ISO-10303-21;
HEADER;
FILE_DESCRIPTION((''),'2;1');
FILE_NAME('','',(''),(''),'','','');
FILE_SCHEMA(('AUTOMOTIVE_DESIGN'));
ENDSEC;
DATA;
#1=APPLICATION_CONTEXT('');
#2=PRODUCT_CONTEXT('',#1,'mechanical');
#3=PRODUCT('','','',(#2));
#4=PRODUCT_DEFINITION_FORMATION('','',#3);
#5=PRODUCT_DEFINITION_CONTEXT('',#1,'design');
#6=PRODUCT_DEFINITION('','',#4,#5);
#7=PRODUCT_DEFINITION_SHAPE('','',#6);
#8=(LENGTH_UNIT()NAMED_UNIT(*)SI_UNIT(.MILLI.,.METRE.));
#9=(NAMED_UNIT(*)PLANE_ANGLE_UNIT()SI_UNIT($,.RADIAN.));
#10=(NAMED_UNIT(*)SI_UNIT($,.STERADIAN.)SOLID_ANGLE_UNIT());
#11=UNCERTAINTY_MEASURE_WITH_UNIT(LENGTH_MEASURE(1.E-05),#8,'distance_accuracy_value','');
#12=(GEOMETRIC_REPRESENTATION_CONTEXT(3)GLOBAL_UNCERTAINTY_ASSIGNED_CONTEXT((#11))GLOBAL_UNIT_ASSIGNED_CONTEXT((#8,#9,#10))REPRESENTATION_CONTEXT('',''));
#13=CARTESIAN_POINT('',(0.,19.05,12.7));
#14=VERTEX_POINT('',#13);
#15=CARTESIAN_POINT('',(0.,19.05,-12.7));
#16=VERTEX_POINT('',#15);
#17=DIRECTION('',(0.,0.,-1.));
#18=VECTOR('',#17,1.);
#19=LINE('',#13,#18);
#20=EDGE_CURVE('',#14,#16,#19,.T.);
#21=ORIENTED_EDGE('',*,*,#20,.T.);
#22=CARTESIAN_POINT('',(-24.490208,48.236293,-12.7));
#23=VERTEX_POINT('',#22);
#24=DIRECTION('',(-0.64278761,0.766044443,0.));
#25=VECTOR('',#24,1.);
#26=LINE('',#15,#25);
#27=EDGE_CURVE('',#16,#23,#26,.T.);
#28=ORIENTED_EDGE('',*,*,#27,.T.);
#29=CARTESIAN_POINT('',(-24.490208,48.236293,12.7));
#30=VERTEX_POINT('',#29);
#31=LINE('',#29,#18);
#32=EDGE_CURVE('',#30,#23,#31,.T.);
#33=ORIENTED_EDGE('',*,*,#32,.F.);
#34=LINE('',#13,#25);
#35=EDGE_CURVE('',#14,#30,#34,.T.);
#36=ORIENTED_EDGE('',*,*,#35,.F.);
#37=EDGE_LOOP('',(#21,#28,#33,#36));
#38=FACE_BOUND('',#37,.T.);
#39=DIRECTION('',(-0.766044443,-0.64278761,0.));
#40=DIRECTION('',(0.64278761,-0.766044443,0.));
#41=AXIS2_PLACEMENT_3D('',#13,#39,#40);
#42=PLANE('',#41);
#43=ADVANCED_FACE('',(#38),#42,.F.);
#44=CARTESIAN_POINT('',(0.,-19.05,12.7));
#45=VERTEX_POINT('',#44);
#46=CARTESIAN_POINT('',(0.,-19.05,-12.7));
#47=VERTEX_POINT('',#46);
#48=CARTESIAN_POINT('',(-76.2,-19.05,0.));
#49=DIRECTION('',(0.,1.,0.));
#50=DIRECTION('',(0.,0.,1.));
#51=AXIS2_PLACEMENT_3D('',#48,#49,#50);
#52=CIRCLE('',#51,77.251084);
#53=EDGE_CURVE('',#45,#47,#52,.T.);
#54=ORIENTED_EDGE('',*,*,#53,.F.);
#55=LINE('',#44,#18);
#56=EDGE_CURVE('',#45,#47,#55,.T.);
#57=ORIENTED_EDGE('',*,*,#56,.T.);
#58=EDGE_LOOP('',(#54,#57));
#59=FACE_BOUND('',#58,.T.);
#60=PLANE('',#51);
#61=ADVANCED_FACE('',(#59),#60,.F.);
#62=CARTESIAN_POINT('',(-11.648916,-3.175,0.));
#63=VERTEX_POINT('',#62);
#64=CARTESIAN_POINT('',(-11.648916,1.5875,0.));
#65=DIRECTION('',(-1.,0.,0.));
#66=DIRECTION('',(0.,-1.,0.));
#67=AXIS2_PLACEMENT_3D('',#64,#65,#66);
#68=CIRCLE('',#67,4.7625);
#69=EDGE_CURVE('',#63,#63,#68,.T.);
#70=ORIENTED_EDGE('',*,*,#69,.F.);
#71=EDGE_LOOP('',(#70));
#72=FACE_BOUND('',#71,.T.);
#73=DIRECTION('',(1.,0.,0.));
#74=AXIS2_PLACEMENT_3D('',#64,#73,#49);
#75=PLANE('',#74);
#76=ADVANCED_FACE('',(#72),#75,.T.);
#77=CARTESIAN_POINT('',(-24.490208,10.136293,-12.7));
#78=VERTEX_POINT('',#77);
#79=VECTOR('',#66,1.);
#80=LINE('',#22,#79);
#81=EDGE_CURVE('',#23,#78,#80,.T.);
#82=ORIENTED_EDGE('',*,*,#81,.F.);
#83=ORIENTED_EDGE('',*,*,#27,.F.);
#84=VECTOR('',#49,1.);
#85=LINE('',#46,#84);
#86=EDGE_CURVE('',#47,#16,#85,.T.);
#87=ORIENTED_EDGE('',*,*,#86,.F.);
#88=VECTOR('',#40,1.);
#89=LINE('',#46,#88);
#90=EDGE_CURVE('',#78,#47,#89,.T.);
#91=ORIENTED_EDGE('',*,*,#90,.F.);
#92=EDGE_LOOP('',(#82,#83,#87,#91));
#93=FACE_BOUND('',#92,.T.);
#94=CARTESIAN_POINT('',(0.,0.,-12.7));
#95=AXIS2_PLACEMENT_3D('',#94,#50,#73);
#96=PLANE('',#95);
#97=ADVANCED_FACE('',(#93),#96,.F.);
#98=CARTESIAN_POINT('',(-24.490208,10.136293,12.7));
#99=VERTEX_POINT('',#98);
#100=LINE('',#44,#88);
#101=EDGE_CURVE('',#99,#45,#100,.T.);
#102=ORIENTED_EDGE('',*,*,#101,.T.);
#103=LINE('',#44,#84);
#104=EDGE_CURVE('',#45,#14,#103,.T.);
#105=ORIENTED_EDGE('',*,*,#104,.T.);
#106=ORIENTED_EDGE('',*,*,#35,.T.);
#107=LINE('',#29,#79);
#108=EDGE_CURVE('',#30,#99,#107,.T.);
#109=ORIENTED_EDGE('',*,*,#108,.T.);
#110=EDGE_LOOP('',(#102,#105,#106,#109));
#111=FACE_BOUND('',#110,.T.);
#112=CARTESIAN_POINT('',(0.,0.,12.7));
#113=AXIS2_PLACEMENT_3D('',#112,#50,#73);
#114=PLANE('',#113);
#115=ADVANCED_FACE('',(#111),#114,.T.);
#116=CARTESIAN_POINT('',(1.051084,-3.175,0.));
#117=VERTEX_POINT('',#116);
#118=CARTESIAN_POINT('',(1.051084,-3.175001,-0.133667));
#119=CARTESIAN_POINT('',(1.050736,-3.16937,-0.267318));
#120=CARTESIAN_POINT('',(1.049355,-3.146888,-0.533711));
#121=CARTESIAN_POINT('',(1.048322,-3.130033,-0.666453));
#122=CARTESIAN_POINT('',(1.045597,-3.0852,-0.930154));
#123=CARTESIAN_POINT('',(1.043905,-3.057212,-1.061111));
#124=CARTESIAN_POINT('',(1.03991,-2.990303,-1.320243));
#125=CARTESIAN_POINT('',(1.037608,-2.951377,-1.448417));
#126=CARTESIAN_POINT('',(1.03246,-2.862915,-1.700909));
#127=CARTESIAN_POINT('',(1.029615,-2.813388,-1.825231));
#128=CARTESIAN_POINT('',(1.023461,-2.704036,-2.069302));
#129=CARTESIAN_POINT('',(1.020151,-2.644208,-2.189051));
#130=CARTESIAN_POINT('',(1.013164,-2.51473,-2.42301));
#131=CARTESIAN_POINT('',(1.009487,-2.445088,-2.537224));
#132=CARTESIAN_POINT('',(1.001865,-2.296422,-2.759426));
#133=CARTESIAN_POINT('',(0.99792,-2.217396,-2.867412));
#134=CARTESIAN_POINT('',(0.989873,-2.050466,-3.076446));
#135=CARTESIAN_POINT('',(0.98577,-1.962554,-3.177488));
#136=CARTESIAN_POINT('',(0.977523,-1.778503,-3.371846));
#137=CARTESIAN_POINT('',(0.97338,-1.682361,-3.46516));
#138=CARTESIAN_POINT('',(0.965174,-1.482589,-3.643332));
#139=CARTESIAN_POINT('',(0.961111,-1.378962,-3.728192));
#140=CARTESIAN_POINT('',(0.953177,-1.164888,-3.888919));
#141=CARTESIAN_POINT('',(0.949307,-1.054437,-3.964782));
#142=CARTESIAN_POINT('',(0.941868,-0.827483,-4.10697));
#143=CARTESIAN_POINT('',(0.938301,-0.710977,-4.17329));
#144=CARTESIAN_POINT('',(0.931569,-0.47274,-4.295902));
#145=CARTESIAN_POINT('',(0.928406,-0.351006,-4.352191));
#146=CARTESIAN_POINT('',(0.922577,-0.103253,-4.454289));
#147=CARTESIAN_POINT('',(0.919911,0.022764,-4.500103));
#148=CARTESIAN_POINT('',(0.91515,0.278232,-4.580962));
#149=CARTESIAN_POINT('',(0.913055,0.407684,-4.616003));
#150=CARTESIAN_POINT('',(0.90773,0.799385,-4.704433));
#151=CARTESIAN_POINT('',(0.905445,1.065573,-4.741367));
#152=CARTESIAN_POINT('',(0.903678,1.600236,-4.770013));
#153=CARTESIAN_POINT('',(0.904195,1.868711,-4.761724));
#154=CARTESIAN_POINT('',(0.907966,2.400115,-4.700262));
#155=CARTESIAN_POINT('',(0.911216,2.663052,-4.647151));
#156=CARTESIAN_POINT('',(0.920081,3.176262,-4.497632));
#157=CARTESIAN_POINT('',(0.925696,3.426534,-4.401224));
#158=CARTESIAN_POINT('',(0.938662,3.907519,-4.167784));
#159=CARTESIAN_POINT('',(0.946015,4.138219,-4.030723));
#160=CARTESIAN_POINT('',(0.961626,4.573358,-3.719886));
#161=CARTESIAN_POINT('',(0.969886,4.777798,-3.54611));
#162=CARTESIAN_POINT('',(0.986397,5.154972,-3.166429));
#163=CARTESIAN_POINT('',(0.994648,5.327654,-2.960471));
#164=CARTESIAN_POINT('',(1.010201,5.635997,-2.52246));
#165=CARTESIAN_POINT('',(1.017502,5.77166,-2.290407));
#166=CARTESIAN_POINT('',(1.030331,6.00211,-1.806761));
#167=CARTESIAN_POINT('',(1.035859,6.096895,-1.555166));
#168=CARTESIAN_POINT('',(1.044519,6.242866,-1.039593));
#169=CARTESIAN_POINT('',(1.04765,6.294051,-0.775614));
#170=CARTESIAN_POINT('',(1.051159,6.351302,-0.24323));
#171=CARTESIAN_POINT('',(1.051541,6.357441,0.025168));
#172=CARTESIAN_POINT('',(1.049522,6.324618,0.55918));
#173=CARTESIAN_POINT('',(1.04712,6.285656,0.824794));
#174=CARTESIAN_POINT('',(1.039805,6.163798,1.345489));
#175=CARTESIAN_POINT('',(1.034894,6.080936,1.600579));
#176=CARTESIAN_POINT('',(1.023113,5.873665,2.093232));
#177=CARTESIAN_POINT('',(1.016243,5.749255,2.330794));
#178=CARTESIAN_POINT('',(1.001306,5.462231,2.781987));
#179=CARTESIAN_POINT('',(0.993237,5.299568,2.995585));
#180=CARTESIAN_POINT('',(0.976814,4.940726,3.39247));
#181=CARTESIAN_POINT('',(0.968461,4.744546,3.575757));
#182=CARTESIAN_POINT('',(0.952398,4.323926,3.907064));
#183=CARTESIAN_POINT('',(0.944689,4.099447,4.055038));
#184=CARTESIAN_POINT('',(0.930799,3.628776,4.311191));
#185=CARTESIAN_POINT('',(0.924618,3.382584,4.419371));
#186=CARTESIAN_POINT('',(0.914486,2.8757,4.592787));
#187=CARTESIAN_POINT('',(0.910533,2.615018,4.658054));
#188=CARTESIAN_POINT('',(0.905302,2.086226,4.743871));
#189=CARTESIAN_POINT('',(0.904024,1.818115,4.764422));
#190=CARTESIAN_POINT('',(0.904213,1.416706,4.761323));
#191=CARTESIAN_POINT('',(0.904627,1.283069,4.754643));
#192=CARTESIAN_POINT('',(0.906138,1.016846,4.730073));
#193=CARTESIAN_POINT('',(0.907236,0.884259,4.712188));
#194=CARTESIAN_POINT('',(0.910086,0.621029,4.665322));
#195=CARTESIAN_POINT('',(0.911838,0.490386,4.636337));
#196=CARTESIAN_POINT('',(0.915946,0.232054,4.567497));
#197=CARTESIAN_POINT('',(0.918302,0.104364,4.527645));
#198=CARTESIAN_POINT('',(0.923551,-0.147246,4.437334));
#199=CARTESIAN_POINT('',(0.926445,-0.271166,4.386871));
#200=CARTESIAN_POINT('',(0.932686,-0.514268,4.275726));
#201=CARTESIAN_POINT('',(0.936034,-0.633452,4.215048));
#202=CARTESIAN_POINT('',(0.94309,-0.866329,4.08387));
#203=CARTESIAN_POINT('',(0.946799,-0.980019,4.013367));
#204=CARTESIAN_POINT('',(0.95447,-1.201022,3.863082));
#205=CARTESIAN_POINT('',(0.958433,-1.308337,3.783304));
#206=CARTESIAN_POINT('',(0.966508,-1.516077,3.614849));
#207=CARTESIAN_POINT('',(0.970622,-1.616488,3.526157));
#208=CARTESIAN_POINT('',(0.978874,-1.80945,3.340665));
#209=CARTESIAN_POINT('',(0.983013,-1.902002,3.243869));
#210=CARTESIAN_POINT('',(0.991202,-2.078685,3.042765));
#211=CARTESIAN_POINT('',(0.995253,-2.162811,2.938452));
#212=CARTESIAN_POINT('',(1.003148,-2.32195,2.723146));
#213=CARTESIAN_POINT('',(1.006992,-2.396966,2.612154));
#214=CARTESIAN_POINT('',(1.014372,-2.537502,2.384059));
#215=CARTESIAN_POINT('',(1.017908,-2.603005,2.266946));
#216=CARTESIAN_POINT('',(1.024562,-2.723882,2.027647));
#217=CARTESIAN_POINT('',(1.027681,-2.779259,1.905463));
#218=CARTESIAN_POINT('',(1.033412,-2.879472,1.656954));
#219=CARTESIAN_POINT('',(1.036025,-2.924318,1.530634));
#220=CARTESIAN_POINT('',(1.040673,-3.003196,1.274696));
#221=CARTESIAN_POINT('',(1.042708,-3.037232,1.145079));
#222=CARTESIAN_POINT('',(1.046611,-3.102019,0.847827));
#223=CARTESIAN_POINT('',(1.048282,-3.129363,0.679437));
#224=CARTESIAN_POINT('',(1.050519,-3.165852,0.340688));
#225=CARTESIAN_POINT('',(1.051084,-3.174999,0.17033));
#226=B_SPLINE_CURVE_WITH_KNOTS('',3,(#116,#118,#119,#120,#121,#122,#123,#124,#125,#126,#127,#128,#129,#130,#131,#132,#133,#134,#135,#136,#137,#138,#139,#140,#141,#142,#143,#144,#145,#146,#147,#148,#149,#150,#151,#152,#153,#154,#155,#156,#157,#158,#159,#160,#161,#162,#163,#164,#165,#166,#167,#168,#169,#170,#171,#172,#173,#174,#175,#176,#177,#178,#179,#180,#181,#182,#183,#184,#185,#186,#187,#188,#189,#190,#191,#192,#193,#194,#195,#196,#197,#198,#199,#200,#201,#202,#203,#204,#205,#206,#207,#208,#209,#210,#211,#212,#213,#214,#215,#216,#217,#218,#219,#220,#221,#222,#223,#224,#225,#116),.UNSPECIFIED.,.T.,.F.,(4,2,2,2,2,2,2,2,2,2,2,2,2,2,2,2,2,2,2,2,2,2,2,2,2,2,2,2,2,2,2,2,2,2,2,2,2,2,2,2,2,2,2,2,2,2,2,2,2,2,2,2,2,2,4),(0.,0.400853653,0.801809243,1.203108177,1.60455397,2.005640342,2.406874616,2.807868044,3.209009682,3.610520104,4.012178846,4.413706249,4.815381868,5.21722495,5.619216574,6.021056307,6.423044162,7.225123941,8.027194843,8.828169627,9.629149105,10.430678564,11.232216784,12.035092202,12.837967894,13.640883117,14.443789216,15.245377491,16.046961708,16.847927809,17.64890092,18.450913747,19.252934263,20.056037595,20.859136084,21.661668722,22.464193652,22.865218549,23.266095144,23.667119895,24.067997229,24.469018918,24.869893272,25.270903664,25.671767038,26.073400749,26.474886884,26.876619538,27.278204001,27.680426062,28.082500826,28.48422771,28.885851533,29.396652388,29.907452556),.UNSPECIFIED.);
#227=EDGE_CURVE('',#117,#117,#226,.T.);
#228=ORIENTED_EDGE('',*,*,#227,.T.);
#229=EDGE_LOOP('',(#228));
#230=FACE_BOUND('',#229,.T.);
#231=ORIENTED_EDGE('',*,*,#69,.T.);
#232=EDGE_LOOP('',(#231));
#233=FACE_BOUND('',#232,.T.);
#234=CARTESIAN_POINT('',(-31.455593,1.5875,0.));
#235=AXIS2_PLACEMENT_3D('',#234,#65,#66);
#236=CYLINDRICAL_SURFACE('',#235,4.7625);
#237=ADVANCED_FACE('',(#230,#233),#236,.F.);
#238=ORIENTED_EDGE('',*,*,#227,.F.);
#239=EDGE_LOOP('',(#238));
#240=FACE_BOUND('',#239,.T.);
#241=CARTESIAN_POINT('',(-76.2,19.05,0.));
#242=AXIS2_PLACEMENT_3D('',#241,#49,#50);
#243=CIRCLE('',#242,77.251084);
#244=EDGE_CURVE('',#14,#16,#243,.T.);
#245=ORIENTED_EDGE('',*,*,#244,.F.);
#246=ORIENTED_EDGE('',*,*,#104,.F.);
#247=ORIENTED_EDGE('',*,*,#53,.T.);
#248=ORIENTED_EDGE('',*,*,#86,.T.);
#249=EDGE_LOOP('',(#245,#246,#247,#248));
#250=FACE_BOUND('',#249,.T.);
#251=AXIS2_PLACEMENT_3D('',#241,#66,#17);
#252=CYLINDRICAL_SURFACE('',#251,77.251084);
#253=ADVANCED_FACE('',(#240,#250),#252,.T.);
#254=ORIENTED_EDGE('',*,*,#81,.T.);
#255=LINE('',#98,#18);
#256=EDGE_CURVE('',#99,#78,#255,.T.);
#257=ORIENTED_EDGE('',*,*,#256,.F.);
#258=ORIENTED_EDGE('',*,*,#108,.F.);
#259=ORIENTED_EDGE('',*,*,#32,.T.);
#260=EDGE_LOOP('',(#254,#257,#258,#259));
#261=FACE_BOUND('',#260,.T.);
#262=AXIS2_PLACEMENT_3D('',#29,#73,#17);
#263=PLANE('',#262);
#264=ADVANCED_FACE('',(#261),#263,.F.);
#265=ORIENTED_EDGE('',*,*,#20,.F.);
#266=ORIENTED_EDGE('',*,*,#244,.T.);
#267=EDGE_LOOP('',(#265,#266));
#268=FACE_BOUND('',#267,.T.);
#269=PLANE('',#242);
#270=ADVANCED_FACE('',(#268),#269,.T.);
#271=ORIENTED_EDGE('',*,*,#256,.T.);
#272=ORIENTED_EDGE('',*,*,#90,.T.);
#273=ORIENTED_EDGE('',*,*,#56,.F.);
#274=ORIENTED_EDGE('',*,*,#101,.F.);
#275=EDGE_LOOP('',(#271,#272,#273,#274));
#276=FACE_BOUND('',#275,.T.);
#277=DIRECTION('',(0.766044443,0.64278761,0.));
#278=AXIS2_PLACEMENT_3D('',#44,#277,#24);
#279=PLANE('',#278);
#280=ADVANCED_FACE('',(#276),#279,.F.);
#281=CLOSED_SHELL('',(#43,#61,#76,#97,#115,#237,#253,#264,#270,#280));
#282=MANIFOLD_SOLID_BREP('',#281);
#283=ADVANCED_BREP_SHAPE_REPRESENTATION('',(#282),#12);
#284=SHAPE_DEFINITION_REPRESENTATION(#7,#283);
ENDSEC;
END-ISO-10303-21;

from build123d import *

# Parameters (mm, degrees)
BOSS_EXTRUDE4_DEPTH = 12.7
BOSS_EXTRUDE5_DEPTH = 19.05
SKETCH7_W           = 12.7
SKETCH7_H           = 4.7625


with BuildPart() as part:
    # Sketch5 → Boss-Extrude4 (new, symmetric)
    with BuildSketch(Plane.XY):
        Polygon((0, -19.05), (0, 19.05), (-24.490207929, 48.236293283), (-24.490207929, 10.136293283), align=None)
    extrude(amount=BOSS_EXTRUDE4_DEPTH, both=True)

    # Sketch6 → Boss-Extrude5 (add, symmetric)
    with BuildSketch(Plane(origin=(0, 0, 0), x_dir=(1, 0, 0), z_dir=(0, 1, 0))):
        with BuildLine():
            Line((0, 12.7), (0, -12.7))
            ThreePointArc((0, -12.7), (1.051084135, 0), (0, 12.7))
        make_face()
    extrude(amount=BOSS_EXTRUDE5_DEPTH, both=True)

    # Sketch7 → Cut-Revolve5 (revolve, cut)
    with BuildSketch(Plane.XY, mode=Mode.PRIVATE) as cut_revolve5_sk:
        with Locations((-5.298915865, 3.96875)):
            Rectangle(SKETCH7_W, SKETCH7_H)
    revolve(cut_revolve5_sk.sketch.rotate(Axis((-31.455592934, 1.5875, 0), (1, 0, 0)), 180), axis=Axis((-31.455592934, 1.5875, 0), (1, 0, 0)), mode=Mode.SUBTRACT)


solid = part.part
